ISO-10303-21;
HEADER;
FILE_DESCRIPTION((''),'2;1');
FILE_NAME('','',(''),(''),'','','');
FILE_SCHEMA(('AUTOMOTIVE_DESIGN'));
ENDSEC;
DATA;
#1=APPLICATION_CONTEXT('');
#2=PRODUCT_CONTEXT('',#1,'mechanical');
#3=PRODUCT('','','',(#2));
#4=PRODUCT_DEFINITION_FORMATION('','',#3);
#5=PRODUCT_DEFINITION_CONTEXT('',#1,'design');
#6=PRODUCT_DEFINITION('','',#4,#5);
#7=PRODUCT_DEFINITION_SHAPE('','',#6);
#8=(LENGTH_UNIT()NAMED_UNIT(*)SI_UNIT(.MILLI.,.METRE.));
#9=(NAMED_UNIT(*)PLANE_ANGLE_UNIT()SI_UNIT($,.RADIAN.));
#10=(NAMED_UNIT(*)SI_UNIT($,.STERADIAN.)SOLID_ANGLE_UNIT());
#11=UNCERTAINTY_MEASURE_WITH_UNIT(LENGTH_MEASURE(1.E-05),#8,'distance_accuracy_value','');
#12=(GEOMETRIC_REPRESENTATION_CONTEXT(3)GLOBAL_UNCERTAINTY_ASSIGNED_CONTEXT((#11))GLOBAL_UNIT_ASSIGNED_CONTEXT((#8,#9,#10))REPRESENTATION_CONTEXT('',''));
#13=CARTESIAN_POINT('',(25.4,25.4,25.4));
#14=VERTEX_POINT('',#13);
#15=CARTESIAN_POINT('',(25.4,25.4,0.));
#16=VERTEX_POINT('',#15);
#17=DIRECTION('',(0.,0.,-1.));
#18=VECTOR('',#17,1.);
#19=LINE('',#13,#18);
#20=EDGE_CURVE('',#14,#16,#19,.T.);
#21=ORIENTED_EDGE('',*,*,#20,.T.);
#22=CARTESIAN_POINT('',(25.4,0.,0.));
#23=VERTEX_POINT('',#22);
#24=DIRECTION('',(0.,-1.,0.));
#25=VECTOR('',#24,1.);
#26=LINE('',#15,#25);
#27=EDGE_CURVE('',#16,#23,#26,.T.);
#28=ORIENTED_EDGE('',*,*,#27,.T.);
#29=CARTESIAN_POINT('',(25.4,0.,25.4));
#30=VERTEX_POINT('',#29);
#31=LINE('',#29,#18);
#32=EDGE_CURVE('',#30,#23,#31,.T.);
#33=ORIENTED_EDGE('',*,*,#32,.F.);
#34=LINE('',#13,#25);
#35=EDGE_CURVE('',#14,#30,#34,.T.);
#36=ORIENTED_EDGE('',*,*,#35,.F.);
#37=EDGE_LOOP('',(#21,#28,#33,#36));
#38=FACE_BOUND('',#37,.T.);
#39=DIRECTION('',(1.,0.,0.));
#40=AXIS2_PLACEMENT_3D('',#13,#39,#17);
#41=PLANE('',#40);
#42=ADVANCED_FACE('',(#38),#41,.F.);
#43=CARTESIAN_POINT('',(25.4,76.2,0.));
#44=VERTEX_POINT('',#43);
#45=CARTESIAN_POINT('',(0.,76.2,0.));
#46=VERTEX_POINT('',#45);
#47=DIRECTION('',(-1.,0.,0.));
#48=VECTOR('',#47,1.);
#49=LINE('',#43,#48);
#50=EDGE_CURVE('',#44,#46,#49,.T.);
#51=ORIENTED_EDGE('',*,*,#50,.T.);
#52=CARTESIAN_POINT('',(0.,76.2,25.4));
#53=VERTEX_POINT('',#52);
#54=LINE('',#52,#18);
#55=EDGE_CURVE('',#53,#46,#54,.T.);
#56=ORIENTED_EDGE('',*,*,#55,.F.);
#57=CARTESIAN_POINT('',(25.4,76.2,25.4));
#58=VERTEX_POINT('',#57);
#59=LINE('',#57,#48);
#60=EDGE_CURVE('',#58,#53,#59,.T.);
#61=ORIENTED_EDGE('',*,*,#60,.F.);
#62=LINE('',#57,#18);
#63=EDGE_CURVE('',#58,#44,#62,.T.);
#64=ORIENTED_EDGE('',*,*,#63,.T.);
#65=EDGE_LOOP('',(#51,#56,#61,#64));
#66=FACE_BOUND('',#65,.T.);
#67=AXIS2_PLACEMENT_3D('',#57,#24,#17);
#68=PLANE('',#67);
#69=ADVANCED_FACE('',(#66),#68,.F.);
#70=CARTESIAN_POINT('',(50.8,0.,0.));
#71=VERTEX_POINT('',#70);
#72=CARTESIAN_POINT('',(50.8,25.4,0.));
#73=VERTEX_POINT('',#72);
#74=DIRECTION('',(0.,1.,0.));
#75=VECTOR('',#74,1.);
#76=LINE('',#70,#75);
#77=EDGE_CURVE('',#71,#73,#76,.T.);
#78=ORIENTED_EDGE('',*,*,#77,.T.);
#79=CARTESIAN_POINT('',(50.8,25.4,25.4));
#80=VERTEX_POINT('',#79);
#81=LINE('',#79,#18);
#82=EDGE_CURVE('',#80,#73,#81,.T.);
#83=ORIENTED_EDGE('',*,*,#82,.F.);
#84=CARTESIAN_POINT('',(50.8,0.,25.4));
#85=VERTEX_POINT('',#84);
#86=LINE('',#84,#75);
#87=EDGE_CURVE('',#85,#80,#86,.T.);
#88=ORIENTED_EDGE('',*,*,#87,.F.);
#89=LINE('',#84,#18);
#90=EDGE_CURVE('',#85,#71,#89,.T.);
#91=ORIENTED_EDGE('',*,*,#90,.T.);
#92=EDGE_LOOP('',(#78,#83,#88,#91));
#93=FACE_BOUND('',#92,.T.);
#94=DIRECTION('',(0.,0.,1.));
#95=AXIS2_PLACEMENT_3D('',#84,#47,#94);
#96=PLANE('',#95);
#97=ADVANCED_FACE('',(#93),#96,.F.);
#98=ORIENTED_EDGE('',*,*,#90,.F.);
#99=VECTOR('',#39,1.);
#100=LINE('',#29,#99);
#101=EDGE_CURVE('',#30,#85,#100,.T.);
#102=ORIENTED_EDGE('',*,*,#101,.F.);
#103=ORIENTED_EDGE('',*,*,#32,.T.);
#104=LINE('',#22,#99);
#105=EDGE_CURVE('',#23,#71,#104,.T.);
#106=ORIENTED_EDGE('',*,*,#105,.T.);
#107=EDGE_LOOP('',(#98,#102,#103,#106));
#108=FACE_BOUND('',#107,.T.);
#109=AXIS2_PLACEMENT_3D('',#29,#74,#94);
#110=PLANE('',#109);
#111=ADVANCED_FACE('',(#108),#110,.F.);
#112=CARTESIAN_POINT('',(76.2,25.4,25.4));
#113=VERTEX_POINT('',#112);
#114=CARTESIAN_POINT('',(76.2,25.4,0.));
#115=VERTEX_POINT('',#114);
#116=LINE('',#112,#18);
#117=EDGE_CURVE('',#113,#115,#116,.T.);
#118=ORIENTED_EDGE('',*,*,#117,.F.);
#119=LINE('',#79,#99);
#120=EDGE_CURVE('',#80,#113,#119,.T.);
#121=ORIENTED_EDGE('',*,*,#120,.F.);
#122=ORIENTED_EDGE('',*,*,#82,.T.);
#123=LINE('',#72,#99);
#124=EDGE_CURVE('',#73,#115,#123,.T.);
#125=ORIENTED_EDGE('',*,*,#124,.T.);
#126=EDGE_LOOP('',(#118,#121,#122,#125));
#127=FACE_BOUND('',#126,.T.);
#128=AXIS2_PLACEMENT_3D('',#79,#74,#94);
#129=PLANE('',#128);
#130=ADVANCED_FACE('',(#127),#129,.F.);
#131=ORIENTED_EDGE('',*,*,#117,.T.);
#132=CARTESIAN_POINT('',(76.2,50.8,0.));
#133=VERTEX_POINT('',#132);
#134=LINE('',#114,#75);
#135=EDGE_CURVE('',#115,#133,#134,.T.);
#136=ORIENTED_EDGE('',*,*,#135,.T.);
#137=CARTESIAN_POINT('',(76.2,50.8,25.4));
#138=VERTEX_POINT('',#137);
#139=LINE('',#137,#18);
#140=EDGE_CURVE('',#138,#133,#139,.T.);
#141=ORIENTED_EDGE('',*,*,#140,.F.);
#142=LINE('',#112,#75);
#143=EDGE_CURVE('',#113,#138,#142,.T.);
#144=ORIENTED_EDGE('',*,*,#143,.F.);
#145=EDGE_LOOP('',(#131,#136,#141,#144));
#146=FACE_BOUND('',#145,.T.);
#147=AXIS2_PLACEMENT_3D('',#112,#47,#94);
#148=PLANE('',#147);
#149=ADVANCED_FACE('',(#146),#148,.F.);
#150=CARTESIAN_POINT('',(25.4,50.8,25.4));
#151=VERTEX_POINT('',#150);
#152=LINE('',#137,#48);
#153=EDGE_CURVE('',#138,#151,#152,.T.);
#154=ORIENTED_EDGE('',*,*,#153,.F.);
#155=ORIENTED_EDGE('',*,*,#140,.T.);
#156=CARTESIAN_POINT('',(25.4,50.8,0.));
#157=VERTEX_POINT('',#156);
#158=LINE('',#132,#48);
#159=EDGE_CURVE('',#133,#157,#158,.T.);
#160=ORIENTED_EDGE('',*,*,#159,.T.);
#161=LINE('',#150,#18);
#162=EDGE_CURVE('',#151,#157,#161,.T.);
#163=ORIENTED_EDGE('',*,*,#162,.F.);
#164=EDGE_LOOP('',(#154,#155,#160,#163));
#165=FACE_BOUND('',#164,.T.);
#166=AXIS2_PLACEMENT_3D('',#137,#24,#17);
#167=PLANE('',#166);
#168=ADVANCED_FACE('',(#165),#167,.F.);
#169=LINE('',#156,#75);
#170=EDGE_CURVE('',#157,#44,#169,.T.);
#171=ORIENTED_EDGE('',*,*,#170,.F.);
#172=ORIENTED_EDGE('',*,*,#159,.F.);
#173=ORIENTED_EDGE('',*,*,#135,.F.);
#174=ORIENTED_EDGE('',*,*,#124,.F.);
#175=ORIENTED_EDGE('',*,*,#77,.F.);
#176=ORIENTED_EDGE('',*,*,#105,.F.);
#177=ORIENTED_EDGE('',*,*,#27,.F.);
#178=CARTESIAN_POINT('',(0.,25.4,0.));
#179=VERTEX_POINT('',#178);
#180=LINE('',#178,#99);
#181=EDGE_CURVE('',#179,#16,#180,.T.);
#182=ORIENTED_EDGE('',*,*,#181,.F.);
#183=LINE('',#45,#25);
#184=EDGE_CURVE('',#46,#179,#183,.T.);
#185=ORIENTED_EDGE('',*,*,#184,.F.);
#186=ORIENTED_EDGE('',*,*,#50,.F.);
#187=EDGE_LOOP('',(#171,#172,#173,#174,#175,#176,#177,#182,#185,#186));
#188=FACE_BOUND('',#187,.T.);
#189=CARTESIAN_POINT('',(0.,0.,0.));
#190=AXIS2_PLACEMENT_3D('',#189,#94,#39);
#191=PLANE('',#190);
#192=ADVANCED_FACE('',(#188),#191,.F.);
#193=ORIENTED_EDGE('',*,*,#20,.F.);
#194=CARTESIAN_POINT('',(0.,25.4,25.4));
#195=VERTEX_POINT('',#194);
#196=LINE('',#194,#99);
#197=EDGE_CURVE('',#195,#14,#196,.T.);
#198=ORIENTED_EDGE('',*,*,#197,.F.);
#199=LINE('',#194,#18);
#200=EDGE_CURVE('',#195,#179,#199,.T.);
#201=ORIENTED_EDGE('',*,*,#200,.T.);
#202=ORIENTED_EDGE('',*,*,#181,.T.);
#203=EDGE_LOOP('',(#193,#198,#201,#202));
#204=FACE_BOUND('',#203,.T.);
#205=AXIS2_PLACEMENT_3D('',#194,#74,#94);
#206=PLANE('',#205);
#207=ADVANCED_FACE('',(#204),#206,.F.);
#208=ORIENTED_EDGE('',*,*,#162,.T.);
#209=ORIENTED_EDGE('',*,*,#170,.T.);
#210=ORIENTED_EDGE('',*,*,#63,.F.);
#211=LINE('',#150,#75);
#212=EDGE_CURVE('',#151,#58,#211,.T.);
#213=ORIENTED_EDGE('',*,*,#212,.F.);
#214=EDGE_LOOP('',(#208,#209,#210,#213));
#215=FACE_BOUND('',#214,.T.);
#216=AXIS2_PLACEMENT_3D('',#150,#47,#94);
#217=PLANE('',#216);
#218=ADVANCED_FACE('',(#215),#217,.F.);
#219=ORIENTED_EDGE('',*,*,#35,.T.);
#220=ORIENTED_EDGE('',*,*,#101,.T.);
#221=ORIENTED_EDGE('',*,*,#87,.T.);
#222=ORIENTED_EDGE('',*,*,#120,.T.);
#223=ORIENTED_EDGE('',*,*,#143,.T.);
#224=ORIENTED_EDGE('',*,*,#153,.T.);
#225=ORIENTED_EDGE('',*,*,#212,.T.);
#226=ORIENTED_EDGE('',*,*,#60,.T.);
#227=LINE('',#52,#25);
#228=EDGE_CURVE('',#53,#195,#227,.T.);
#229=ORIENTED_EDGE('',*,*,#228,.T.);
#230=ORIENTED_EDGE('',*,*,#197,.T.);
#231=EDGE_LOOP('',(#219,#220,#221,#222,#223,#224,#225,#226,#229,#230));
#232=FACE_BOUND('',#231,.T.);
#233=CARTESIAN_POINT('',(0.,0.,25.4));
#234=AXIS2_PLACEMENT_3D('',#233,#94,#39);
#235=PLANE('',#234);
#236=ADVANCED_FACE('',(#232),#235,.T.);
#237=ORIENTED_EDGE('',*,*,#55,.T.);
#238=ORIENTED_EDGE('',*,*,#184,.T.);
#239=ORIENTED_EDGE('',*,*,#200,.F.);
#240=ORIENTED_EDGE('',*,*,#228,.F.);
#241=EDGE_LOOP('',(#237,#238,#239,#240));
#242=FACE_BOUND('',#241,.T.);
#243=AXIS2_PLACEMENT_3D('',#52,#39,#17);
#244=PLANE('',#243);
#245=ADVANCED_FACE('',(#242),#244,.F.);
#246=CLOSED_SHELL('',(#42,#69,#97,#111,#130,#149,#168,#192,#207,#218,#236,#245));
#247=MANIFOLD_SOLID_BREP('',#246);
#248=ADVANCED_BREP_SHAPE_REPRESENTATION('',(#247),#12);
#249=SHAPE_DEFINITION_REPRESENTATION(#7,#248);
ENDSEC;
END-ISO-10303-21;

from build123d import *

# Parameters (mm, degrees)
BOSS_EXTRUDE1_DEPTH = 25.4


with BuildPart() as part:
    # Sketch1 → Boss-Extrude1 (new body)
    with BuildSketch(Plane.XY):
        Polygon((50.8, 0), (50.8, 25.4), (76.2, 25.4), (76.2, 50.8), (25.4, 50.8), (25.4, 76.2), (0, 76.2), (0, 25.4), (25.4, 25.4), (25.4, 0), align=None)
    extrude(amount=BOSS_EXTRUDE1_DEPTH)


solid = part.part
